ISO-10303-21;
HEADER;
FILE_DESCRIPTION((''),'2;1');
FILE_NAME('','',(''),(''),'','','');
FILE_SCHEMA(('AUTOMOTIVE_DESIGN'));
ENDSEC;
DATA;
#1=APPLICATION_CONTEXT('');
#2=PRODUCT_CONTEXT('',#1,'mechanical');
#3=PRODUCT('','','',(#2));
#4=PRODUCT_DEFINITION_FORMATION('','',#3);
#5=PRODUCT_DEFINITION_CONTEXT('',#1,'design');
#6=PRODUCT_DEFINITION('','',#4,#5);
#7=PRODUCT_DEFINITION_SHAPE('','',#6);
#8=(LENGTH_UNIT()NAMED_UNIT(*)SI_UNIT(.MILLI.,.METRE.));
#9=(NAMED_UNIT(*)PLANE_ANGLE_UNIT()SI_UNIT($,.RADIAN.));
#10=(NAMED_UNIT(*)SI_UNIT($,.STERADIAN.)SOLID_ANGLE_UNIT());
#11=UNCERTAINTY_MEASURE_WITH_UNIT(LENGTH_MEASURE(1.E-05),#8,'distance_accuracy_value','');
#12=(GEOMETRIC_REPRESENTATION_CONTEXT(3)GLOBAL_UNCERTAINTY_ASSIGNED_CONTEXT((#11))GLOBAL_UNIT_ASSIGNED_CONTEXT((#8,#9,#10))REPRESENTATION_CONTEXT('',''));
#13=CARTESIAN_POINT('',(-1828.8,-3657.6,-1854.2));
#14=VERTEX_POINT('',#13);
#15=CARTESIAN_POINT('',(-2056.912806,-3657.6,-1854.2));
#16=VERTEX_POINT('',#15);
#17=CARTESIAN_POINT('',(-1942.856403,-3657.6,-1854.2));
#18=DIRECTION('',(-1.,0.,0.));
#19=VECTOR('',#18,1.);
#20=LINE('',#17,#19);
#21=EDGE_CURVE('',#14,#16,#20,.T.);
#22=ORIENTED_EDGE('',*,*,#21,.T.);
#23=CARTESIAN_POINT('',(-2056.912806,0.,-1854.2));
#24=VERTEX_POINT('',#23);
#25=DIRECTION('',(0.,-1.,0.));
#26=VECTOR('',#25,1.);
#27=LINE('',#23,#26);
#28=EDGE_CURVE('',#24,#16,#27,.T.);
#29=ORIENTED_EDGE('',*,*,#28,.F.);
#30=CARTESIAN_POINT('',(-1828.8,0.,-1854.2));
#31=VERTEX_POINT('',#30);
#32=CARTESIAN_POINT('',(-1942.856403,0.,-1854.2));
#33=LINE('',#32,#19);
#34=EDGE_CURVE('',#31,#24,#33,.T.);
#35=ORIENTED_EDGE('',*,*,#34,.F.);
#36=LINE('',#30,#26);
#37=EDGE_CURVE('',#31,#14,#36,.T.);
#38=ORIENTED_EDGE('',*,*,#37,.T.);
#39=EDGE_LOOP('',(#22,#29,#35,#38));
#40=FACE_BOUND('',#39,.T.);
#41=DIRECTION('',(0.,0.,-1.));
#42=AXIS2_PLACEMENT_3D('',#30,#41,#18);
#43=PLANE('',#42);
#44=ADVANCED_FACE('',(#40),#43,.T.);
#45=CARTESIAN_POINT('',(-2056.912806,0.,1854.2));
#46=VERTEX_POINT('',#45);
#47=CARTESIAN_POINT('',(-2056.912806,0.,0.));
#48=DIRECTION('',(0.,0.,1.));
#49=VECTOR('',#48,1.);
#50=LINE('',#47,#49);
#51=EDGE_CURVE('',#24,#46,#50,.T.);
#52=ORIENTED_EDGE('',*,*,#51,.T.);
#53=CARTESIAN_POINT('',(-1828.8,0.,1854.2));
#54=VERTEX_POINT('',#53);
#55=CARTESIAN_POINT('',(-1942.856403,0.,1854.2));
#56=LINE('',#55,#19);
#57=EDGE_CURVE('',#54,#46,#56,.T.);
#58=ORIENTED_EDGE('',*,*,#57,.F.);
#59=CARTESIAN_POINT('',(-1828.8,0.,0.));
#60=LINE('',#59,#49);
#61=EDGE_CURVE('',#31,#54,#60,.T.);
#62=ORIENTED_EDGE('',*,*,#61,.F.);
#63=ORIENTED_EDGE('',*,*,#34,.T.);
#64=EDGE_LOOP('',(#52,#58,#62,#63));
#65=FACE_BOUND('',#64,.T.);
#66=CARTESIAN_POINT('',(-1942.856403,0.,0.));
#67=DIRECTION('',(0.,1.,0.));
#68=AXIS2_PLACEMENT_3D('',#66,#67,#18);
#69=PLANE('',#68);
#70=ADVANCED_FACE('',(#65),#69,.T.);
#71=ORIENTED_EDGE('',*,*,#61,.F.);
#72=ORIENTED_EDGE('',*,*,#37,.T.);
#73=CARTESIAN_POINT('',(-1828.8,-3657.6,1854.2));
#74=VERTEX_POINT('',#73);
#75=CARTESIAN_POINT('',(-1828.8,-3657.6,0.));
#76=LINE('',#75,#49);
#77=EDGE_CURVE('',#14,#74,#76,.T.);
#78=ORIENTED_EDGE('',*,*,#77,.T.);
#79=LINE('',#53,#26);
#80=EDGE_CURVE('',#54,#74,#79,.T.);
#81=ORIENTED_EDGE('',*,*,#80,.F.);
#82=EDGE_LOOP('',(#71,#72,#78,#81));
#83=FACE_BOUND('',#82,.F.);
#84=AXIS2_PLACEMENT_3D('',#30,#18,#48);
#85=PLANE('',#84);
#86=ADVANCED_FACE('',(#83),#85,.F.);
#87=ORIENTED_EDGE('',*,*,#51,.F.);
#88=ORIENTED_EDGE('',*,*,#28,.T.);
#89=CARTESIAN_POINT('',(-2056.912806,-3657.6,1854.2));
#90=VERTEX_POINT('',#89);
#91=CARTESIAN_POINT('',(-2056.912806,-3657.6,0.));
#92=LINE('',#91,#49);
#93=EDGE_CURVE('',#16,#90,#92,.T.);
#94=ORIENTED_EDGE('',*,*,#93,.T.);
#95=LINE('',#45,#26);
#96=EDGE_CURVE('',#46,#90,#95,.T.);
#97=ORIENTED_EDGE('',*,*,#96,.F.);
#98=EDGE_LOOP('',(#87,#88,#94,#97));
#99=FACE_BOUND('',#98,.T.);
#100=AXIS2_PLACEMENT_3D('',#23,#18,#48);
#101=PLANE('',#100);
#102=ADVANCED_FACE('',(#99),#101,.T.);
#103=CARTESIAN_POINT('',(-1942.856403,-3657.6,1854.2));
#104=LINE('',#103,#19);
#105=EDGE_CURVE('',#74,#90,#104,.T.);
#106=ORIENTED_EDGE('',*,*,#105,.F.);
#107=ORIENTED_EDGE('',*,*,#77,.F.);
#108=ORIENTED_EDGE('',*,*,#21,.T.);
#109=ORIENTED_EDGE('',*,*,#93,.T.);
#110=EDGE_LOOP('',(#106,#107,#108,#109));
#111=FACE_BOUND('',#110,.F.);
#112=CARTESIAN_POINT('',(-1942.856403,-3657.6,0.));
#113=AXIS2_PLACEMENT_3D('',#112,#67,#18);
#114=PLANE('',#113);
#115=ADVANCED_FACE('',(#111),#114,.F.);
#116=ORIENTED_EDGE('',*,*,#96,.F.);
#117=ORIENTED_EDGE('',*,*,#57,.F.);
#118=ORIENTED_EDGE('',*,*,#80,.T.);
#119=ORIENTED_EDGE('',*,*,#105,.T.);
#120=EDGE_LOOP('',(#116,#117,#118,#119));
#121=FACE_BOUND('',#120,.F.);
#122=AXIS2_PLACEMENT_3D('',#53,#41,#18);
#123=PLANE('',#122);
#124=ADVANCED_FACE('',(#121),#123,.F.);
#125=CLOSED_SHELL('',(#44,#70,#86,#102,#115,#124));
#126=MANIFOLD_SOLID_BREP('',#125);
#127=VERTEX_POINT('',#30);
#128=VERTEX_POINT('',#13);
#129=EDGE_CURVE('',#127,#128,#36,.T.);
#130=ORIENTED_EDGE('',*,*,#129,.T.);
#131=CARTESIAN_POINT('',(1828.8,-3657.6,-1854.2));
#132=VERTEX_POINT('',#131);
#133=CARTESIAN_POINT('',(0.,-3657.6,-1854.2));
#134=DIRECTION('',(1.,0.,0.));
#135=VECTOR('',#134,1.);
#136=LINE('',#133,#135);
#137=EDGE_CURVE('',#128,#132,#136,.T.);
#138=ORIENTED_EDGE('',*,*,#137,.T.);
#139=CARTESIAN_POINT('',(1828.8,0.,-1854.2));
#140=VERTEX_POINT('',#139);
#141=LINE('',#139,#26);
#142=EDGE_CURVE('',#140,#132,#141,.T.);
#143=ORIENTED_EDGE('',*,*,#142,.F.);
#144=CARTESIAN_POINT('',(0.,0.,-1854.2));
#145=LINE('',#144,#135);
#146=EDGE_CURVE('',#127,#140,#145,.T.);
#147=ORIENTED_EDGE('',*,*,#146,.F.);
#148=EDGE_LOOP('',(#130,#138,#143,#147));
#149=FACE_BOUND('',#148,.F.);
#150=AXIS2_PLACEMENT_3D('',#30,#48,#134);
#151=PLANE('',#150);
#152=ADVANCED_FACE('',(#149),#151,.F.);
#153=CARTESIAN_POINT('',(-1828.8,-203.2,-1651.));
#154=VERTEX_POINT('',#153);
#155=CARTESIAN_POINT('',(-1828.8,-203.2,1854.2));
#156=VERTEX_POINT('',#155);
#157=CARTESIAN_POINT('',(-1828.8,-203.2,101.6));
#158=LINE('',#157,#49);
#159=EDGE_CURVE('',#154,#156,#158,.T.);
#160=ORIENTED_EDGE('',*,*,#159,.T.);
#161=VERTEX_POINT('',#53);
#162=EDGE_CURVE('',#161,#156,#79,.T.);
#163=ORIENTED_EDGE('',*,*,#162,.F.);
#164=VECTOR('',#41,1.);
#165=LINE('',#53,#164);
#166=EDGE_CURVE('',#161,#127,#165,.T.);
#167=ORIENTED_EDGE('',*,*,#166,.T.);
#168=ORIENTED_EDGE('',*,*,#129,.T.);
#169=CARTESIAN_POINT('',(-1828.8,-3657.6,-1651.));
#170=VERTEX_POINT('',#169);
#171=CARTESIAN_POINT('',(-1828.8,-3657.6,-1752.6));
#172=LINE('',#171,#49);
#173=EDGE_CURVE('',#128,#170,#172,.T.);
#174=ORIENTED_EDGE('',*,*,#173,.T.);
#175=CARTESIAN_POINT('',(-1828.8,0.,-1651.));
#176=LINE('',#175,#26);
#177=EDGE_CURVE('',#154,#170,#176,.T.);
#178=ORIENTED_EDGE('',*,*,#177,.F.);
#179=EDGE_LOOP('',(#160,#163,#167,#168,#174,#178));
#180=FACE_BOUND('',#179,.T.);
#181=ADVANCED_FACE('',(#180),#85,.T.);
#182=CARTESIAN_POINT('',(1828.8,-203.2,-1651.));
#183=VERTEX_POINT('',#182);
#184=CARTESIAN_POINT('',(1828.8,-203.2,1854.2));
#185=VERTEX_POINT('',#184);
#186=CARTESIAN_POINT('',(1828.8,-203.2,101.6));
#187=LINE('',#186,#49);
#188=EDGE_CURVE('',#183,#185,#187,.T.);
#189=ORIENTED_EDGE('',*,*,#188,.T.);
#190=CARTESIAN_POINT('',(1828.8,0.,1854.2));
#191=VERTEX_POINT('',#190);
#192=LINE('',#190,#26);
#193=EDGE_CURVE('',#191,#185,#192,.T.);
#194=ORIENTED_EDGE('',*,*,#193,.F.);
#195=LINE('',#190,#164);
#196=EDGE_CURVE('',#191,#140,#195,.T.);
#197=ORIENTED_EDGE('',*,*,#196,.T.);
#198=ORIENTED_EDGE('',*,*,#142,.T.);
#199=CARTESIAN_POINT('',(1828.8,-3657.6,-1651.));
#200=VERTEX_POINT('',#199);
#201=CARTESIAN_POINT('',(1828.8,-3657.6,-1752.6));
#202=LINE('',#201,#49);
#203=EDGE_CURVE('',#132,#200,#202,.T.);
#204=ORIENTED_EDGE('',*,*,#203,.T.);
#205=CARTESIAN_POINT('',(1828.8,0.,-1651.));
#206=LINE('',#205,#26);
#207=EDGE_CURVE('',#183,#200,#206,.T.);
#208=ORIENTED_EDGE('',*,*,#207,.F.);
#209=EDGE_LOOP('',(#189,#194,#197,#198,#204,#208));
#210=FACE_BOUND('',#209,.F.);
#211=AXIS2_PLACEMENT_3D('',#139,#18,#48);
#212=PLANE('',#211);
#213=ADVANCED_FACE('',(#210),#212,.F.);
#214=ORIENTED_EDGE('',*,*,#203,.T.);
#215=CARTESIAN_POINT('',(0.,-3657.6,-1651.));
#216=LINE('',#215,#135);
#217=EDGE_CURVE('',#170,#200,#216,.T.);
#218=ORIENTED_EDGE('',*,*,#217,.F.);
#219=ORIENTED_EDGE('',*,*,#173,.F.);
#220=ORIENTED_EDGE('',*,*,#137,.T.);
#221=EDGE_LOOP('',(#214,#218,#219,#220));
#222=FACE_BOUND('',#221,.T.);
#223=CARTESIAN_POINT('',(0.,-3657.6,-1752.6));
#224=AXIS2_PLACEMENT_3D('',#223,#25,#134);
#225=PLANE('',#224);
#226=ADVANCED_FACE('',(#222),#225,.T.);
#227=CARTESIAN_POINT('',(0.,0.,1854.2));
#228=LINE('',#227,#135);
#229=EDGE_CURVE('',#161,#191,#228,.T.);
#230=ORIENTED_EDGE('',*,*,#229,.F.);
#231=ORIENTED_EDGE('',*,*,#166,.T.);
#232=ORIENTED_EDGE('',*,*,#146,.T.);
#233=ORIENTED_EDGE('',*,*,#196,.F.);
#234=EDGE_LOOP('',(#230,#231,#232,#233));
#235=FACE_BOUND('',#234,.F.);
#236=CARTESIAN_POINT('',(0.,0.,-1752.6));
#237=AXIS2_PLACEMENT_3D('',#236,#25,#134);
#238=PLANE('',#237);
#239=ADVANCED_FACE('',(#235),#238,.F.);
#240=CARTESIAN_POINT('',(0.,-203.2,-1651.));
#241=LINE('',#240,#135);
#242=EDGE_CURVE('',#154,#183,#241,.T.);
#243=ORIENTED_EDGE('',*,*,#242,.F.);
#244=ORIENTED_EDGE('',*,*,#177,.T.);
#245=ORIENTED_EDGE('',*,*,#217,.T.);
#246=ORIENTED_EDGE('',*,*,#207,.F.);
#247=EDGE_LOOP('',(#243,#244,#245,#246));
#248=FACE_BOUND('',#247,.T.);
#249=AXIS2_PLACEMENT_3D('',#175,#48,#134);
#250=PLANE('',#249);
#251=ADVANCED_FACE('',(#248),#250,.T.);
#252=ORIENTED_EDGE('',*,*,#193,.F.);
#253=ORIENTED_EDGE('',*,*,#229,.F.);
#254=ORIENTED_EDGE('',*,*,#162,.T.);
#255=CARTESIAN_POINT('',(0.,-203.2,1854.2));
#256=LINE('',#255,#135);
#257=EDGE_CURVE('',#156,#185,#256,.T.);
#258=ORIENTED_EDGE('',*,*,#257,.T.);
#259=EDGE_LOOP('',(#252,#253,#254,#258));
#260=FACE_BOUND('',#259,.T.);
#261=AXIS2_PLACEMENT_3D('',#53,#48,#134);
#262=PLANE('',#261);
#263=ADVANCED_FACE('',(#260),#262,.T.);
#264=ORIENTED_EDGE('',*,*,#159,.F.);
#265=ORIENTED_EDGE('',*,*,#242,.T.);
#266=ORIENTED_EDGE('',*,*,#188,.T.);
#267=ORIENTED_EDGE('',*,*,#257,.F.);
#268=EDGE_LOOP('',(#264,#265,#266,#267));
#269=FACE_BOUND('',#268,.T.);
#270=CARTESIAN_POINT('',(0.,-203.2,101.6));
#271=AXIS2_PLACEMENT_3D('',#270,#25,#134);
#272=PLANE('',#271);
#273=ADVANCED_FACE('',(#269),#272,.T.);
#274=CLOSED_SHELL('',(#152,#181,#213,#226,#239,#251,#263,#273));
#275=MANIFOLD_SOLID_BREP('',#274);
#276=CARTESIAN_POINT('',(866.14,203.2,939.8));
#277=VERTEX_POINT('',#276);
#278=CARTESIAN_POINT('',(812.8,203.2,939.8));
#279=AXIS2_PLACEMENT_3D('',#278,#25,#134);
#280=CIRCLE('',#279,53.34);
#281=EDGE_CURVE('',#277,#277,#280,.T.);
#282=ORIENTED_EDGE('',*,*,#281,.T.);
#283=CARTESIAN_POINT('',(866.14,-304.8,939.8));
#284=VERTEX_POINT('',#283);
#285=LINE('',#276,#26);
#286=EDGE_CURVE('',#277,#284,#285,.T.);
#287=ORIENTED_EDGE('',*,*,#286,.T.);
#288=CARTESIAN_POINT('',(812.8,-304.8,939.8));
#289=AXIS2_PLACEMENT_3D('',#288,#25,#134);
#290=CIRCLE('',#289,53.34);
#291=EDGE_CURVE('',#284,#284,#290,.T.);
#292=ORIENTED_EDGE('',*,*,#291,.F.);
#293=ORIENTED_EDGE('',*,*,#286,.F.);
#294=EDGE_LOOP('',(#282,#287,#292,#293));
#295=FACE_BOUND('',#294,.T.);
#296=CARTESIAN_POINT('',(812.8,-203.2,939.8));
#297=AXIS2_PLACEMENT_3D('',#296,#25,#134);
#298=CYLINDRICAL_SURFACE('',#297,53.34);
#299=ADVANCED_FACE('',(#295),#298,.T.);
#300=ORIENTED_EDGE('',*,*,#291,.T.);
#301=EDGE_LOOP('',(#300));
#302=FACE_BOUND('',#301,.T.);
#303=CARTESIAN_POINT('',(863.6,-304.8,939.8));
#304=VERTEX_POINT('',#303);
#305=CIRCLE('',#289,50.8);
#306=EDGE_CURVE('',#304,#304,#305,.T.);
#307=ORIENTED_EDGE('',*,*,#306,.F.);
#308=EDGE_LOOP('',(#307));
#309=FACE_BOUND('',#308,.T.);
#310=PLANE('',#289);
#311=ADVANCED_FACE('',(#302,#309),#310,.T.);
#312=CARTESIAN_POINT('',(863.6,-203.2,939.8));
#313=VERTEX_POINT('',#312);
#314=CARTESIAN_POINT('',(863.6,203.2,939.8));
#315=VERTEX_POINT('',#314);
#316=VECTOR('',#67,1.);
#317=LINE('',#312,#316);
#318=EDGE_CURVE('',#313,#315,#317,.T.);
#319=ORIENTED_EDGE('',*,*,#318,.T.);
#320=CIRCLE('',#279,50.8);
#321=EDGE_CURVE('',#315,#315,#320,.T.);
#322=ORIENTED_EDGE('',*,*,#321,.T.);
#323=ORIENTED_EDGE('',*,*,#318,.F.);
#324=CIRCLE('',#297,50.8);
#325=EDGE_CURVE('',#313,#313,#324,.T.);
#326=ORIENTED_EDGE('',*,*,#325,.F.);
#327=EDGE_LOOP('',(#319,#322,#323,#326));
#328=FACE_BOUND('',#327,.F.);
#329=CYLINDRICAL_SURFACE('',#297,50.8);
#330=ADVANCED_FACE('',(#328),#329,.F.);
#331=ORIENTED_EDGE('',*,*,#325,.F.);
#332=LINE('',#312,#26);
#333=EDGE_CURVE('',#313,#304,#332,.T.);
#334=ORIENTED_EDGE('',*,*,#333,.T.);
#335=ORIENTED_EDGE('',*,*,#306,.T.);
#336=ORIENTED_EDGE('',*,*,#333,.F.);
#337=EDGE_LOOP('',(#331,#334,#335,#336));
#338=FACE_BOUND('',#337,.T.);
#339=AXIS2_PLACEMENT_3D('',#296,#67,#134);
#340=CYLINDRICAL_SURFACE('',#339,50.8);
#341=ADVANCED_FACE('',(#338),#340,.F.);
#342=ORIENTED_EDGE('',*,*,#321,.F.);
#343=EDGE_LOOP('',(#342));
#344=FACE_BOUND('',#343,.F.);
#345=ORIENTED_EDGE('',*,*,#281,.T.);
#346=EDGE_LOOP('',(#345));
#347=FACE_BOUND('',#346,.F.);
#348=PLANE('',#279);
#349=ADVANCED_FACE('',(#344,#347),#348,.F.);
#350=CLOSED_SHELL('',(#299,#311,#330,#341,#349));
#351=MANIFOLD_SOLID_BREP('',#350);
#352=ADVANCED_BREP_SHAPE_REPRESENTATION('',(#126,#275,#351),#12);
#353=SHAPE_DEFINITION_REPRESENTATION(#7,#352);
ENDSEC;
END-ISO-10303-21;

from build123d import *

# Parameters (mm, degrees)
F0_W     = 3657.6
F0_H     = 3505.2
F1_DEPTH = 203.2
F0_H_2   = 203.2
F2_DEPTH = 3657.6
F3_W     = 228.1128064619
F3_H     = 3708.4
F4_DEPTH = 3657.6
F5_R     = 53.34
F5_R_2   = 50.8
F6_DEPTH = 101.6
F7_DEPTH = 406.4


with BuildPart() as f1:
    # F0 (on Front) → F1 (new body)
    with BuildSketch(Plane.XZ):
        with Locations((0, 101.6)):
            Rectangle(F0_W, F0_H)
    extrude(amount=F1_DEPTH)

    # F0 (on Front) → F2 (join)
    with BuildSketch(Plane.XZ):
        with Locations((0, -1752.6)):
            Rectangle(F0_W, F0_H_2)
    extrude(amount=F2_DEPTH)


with BuildPart() as f4:
    # F3 (on face) → F4 (new body)
    with BuildSketch(Plane(origin=(0, 0, 0), x_dir=(-1, 0, 0), z_dir=(0, 1, 0))):
        with Locations((1942.856403231, 0)):
            Rectangle(F3_W, F3_H)
    extrude(amount=-F4_DEPTH)


with BuildPart() as f6:
    # F5 (on face) → F6 (new body)
    with BuildSketch(Plane.XZ.offset(203.2)):
        with Locations((812.8, 939.8)):
            Circle(F5_R)
        with Locations((812.8, 939.8)):
            Circle(F5_R_2, mode=Mode.SUBTRACT)
    extrude(amount=F6_DEPTH)

    # F5 (on face) → F7 (join)
    with BuildSketch(Plane.XZ.offset(203.2)):
        with Locations((812.8, 939.8)):
            Circle(F5_R)
        with Locations((812.8, 939.8)):
            Circle(F5_R_2, mode=Mode.SUBTRACT)
    extrude(amount=-F7_DEPTH)


solid = Compound([f1.part, f4.part, f6.part])
